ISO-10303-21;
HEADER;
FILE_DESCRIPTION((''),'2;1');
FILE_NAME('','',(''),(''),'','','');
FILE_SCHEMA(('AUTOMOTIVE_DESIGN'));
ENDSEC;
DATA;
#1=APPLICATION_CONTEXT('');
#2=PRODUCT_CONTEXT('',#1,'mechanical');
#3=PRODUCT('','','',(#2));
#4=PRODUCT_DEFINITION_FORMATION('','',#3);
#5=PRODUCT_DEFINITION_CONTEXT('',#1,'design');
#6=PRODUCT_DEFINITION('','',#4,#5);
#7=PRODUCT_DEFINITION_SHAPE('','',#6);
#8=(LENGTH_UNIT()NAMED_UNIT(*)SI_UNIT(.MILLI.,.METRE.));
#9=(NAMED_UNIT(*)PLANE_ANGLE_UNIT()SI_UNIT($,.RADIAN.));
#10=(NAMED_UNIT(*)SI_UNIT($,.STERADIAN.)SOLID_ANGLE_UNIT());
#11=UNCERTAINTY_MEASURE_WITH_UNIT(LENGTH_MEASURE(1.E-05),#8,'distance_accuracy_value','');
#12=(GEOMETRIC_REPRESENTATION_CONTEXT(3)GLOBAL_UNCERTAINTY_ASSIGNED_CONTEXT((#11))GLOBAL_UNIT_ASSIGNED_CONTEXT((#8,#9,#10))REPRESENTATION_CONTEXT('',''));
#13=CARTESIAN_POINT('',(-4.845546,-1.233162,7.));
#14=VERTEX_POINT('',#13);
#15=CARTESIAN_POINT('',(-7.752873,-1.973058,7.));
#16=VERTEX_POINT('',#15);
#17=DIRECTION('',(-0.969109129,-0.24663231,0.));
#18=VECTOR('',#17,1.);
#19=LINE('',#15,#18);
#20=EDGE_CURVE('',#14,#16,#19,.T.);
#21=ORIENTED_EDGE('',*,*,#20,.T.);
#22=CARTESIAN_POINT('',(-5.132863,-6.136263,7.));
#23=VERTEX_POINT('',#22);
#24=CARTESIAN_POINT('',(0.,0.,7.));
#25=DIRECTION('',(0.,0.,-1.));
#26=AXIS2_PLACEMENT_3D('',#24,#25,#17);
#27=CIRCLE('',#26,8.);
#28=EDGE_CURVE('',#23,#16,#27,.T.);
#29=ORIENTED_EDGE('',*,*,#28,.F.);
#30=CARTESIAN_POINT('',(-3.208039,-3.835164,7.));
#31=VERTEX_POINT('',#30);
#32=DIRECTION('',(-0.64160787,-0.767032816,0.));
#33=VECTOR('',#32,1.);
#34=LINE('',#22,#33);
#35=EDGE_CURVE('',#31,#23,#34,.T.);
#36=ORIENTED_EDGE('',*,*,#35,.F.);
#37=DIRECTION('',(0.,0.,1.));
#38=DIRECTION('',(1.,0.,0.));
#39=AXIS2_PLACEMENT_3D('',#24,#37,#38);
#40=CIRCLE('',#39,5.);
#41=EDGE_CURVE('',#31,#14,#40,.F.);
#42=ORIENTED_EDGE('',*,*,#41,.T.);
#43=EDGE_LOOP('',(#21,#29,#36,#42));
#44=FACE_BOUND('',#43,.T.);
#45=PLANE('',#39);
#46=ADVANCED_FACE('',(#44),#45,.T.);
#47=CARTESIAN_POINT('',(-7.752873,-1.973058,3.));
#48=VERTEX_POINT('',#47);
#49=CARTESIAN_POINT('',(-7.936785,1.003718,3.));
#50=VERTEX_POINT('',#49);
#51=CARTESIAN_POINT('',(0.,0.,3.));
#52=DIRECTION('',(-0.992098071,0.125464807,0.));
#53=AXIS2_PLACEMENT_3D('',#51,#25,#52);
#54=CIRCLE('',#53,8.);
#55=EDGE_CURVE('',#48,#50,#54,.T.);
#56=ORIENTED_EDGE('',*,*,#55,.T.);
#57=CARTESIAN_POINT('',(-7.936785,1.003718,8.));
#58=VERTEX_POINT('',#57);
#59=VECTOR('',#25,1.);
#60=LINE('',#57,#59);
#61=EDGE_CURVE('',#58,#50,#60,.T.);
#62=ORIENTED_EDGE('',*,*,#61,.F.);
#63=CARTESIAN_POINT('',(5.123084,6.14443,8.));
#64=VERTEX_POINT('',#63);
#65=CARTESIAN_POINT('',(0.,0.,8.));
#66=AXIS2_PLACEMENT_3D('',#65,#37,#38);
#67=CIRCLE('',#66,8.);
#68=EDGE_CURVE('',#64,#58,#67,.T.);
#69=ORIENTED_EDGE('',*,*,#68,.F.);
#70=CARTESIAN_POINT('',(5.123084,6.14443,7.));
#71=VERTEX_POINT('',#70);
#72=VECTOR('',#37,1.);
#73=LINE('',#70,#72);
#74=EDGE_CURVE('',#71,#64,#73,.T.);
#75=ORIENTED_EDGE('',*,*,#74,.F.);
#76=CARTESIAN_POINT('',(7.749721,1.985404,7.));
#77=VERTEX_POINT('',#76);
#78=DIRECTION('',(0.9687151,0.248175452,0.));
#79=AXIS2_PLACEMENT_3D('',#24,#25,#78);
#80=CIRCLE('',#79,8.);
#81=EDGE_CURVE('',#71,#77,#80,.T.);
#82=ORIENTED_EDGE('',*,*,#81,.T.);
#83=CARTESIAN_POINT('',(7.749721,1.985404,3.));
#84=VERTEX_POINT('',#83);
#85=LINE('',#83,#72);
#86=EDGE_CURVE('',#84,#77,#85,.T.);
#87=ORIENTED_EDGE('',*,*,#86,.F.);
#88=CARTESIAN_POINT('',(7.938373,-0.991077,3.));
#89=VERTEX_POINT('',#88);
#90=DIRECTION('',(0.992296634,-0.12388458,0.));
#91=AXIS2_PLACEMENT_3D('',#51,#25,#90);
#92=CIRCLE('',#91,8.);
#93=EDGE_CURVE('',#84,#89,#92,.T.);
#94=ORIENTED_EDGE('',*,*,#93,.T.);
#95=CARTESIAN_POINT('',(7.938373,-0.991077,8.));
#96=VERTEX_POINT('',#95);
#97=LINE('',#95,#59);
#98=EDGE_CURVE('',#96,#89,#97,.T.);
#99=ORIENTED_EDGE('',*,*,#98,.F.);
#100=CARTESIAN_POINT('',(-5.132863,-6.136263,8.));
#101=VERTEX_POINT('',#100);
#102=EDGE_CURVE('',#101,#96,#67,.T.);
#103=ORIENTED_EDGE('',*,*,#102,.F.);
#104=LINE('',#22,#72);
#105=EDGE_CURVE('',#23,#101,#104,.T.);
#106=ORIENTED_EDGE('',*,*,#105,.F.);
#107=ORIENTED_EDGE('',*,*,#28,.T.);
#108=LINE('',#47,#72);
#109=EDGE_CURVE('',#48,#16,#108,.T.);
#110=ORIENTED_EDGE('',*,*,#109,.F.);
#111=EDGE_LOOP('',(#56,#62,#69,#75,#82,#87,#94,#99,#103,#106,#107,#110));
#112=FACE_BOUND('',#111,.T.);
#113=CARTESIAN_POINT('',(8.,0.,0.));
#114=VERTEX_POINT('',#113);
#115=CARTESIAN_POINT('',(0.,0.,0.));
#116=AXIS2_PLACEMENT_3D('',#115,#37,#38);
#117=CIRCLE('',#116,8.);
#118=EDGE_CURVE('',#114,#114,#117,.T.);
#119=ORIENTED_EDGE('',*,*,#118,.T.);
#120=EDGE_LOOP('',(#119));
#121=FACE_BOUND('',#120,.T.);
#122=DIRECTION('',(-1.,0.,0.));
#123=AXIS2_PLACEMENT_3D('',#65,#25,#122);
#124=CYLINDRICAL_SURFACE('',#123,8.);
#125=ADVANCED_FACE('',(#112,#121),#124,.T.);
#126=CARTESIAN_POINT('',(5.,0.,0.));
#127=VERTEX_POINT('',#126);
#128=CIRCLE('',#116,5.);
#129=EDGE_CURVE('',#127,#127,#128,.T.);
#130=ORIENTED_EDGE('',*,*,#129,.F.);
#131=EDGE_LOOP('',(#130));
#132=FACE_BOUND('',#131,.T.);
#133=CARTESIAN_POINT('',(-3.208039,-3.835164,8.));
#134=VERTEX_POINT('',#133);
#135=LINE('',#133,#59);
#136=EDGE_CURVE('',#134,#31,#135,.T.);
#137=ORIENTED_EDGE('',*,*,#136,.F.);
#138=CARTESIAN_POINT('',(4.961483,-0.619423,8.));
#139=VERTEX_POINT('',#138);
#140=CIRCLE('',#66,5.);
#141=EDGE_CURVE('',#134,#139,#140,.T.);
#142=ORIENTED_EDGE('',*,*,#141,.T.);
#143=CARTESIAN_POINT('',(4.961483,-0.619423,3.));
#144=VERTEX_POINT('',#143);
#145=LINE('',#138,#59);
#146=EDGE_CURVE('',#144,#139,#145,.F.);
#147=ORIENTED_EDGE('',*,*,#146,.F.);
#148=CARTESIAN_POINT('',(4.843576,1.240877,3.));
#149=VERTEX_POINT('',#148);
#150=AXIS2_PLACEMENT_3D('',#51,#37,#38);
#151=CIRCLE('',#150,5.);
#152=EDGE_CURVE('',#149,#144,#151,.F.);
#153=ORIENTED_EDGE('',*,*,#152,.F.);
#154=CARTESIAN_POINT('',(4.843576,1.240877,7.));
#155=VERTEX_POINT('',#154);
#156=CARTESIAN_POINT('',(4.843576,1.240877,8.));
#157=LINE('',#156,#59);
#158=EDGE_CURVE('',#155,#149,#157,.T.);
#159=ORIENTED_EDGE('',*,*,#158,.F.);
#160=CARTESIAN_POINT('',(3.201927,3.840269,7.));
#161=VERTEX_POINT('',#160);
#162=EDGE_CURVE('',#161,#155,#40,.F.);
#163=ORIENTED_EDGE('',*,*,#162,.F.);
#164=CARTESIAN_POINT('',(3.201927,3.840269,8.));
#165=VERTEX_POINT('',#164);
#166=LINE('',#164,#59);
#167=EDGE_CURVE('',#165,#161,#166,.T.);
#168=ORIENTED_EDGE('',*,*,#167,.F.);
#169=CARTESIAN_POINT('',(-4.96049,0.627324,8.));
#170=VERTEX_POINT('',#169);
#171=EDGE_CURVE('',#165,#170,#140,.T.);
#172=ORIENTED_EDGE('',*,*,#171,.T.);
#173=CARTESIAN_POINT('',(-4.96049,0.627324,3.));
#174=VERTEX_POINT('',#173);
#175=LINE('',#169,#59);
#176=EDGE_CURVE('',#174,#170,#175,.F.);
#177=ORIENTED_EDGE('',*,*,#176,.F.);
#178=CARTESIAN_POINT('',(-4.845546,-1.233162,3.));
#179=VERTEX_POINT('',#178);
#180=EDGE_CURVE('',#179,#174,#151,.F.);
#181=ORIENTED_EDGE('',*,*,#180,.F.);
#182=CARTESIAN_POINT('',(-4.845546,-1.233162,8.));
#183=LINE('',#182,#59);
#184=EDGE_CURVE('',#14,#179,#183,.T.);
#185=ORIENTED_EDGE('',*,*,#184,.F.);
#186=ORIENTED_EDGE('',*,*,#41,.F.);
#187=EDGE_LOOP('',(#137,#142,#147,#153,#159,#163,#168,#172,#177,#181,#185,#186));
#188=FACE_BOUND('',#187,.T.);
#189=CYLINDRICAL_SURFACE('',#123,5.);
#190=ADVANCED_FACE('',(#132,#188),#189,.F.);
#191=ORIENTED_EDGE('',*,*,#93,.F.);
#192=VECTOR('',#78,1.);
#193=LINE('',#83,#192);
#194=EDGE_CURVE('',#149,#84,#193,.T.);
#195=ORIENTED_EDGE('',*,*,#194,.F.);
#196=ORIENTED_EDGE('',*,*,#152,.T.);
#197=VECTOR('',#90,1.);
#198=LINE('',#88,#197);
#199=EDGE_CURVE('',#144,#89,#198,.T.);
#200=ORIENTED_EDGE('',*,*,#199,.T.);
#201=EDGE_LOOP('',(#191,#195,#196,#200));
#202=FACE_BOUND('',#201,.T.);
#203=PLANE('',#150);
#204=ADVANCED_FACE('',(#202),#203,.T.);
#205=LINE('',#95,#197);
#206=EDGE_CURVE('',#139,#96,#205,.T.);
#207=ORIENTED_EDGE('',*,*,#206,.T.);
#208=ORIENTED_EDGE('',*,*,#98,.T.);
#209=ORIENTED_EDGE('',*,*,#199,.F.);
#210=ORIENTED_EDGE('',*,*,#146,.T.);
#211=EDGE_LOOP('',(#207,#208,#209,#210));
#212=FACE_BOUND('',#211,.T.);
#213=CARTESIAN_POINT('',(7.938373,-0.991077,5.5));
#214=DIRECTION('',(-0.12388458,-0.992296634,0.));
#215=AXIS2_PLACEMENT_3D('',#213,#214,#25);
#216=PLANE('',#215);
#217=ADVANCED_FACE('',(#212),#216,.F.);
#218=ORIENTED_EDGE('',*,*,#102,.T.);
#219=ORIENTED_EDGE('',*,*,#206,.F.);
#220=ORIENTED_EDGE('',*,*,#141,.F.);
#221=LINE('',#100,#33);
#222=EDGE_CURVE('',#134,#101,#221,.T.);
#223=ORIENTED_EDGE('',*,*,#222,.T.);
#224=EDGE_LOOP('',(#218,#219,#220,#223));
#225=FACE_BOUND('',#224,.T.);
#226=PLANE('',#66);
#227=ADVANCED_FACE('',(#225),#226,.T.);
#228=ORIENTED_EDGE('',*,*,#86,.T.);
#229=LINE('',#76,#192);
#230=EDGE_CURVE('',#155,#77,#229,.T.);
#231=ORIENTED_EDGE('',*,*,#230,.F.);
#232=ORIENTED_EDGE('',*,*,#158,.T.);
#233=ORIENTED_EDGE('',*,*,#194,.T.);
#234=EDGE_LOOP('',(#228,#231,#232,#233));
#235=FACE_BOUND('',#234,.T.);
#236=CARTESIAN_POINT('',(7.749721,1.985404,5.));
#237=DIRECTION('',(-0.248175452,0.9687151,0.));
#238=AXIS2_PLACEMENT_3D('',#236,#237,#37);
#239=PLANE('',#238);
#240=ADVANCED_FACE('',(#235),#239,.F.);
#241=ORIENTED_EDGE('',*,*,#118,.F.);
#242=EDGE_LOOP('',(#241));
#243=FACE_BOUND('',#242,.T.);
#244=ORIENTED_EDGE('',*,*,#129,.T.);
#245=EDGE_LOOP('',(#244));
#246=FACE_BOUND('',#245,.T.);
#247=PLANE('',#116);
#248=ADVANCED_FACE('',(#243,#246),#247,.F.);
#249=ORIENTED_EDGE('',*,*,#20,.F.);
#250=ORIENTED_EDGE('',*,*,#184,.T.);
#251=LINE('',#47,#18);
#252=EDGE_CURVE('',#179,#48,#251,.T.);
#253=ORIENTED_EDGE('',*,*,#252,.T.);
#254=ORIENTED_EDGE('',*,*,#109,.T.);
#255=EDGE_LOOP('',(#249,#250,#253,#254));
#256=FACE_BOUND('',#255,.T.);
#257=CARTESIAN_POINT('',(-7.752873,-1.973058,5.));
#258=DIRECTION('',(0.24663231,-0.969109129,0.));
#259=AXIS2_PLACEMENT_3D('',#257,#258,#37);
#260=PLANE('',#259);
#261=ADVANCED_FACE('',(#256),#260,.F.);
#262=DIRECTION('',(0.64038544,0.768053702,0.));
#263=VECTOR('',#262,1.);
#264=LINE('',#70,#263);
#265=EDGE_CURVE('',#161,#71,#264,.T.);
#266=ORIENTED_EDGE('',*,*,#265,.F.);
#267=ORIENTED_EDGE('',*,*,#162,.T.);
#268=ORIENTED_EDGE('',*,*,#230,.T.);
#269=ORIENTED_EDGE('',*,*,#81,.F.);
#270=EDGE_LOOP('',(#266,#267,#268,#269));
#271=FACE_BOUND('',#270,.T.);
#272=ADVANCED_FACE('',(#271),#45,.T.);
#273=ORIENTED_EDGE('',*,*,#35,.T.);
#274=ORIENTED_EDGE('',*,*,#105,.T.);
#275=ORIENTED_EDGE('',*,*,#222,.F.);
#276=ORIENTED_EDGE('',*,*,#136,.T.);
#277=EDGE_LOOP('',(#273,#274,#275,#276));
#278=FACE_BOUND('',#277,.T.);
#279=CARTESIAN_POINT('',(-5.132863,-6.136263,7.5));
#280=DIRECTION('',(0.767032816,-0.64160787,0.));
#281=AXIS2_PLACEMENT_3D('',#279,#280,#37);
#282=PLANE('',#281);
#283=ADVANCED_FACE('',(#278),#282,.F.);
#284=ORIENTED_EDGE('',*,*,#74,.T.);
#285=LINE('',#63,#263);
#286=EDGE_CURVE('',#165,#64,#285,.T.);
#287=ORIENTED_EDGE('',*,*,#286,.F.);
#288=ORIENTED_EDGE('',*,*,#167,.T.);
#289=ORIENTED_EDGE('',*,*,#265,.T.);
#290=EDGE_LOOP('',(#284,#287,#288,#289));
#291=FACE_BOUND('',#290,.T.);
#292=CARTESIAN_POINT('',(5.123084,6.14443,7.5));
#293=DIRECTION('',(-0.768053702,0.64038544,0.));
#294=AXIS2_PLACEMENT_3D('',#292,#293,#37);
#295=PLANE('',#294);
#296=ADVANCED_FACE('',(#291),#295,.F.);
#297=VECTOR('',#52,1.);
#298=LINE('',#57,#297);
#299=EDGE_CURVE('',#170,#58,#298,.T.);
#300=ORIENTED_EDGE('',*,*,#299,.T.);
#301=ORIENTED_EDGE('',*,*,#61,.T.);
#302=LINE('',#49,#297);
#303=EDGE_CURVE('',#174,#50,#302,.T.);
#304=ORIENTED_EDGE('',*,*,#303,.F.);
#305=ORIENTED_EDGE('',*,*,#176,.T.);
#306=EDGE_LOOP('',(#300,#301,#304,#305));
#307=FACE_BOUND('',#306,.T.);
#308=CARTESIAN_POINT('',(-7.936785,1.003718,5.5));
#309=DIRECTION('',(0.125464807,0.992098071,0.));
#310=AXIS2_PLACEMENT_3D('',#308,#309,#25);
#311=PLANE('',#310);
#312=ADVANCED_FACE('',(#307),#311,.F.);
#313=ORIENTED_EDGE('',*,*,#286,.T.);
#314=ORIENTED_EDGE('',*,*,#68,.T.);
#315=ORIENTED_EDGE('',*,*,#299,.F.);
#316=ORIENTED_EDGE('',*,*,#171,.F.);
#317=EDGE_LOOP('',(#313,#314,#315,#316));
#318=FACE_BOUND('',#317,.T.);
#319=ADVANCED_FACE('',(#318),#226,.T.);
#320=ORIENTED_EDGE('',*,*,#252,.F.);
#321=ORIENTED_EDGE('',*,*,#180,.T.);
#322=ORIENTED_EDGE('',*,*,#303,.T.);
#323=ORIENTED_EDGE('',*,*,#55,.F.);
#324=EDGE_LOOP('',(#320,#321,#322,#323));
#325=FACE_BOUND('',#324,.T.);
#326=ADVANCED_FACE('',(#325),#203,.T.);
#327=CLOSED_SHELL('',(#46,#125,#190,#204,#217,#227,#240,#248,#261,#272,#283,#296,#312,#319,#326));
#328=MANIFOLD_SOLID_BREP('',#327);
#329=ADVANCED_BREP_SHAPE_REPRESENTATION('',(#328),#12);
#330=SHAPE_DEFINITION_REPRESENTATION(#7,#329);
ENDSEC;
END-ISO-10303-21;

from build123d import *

# Parameters (mm, degrees)
SKETCH1_R                = 8
SKETCH1_R_2              = 5
BOSS_EXTRUDE1_DEPTH      = 8
WRAP2_SECTION_W          = 4
WRAP2_SECTION_H          = 1
WRAP2_ANGLE              = 57.295779513
WRAP2_SECTOR_2_SECTION_W = 4
WRAP2_SECTOR_2_SECTION_H = 1
WRAP2_SECTOR_2_ANGLE     = 57.295779513
WRAP2_SECTOR_3_SECTION_W = 4
WRAP2_SECTOR_3_SECTION_H = 4
WRAP2_SECTOR_3_ANGLE     = 21.485917317
WRAP2_SECTOR_4_SECTION_W = 4
WRAP2_SECTOR_4_SECTION_H = 4
WRAP2_SECTOR_4_ANGLE     = 21.485917317


with BuildPart() as part:
    # Sketch1 → Boss-Extrude1 (new body)
    with BuildSketch(Plane.XY):
        Circle(SKETCH1_R)
        Circle(SKETCH1_R_2, mode=Mode.SUBTRACT)
    extrude(amount=BOSS_EXTRUDE1_DEPTH)

    # Wrap2 section (on wrap section) → Wrap2 (revolve, cut)
    with BuildSketch(Plane(origin=(0, 0, 0), x_dir=(-0.6416078703161084, -0.7670328159527646, 0), z_dir=(0.7670328159527646, -0.6416078703161084, 0))):
        with Locations((6, -7.5)):
            Rectangle(WRAP2_SECTION_W, WRAP2_SECTION_H)
    revolve(axis=Axis((0, 0, 0), (0, 0, -1)), revolution_arc=WRAP2_ANGLE, mode=Mode.SUBTRACT)

    # Wrap2 sector 2 section (on wrap section) → Wrap2 sector 2 (revolve, cut)
    with BuildSketch(Plane(origin=(0, 0, 0), x_dir=(0.6403854395311468, 0.7680537017920687, 0), z_dir=(-0.7680537017920687, 0.6403854395311468, 0))):
        with Locations((6, -7.5)):
            Rectangle(WRAP2_SECTOR_2_SECTION_W, WRAP2_SECTOR_2_SECTION_H)
    revolve(axis=Axis((0, 0, 0), (0, 0, -1)), revolution_arc=WRAP2_SECTOR_2_ANGLE, mode=Mode.SUBTRACT)

    # Wrap2 sector 3 section (on wrap section) → Wrap2 sector 3 (revolve, cut)
    with BuildSketch(Plane(origin=(0, 0, 0), x_dir=(-0.9691091288804563, -0.24663230996883403, 0), z_dir=(0.24663230996883403, -0.9691091288804563, 0))):
        with Locations((6, -5)):
            Rectangle(WRAP2_SECTOR_3_SECTION_W, WRAP2_SECTOR_3_SECTION_H)
    revolve(axis=Axis((0, 0, 0), (0, 0, -1)), revolution_arc=WRAP2_SECTOR_3_ANGLE, mode=Mode.SUBTRACT)

    # Wrap2 sector 4 section (on wrap section) → Wrap2 sector 4 (revolve, cut)
    with BuildSketch(Plane(origin=(0, 0, 0), x_dir=(0.9687151001182653, 0.24817545165237268, 0), z_dir=(-0.24817545165237268, 0.9687151001182653, 0))):
        with Locations((6, -5)):
            Rectangle(WRAP2_SECTOR_4_SECTION_W, WRAP2_SECTOR_4_SECTION_H)
    revolve(axis=Axis((0, 0, 0), (0, 0, -1)), revolution_arc=WRAP2_SECTOR_4_ANGLE, mode=Mode.SUBTRACT)


solid = part.part
